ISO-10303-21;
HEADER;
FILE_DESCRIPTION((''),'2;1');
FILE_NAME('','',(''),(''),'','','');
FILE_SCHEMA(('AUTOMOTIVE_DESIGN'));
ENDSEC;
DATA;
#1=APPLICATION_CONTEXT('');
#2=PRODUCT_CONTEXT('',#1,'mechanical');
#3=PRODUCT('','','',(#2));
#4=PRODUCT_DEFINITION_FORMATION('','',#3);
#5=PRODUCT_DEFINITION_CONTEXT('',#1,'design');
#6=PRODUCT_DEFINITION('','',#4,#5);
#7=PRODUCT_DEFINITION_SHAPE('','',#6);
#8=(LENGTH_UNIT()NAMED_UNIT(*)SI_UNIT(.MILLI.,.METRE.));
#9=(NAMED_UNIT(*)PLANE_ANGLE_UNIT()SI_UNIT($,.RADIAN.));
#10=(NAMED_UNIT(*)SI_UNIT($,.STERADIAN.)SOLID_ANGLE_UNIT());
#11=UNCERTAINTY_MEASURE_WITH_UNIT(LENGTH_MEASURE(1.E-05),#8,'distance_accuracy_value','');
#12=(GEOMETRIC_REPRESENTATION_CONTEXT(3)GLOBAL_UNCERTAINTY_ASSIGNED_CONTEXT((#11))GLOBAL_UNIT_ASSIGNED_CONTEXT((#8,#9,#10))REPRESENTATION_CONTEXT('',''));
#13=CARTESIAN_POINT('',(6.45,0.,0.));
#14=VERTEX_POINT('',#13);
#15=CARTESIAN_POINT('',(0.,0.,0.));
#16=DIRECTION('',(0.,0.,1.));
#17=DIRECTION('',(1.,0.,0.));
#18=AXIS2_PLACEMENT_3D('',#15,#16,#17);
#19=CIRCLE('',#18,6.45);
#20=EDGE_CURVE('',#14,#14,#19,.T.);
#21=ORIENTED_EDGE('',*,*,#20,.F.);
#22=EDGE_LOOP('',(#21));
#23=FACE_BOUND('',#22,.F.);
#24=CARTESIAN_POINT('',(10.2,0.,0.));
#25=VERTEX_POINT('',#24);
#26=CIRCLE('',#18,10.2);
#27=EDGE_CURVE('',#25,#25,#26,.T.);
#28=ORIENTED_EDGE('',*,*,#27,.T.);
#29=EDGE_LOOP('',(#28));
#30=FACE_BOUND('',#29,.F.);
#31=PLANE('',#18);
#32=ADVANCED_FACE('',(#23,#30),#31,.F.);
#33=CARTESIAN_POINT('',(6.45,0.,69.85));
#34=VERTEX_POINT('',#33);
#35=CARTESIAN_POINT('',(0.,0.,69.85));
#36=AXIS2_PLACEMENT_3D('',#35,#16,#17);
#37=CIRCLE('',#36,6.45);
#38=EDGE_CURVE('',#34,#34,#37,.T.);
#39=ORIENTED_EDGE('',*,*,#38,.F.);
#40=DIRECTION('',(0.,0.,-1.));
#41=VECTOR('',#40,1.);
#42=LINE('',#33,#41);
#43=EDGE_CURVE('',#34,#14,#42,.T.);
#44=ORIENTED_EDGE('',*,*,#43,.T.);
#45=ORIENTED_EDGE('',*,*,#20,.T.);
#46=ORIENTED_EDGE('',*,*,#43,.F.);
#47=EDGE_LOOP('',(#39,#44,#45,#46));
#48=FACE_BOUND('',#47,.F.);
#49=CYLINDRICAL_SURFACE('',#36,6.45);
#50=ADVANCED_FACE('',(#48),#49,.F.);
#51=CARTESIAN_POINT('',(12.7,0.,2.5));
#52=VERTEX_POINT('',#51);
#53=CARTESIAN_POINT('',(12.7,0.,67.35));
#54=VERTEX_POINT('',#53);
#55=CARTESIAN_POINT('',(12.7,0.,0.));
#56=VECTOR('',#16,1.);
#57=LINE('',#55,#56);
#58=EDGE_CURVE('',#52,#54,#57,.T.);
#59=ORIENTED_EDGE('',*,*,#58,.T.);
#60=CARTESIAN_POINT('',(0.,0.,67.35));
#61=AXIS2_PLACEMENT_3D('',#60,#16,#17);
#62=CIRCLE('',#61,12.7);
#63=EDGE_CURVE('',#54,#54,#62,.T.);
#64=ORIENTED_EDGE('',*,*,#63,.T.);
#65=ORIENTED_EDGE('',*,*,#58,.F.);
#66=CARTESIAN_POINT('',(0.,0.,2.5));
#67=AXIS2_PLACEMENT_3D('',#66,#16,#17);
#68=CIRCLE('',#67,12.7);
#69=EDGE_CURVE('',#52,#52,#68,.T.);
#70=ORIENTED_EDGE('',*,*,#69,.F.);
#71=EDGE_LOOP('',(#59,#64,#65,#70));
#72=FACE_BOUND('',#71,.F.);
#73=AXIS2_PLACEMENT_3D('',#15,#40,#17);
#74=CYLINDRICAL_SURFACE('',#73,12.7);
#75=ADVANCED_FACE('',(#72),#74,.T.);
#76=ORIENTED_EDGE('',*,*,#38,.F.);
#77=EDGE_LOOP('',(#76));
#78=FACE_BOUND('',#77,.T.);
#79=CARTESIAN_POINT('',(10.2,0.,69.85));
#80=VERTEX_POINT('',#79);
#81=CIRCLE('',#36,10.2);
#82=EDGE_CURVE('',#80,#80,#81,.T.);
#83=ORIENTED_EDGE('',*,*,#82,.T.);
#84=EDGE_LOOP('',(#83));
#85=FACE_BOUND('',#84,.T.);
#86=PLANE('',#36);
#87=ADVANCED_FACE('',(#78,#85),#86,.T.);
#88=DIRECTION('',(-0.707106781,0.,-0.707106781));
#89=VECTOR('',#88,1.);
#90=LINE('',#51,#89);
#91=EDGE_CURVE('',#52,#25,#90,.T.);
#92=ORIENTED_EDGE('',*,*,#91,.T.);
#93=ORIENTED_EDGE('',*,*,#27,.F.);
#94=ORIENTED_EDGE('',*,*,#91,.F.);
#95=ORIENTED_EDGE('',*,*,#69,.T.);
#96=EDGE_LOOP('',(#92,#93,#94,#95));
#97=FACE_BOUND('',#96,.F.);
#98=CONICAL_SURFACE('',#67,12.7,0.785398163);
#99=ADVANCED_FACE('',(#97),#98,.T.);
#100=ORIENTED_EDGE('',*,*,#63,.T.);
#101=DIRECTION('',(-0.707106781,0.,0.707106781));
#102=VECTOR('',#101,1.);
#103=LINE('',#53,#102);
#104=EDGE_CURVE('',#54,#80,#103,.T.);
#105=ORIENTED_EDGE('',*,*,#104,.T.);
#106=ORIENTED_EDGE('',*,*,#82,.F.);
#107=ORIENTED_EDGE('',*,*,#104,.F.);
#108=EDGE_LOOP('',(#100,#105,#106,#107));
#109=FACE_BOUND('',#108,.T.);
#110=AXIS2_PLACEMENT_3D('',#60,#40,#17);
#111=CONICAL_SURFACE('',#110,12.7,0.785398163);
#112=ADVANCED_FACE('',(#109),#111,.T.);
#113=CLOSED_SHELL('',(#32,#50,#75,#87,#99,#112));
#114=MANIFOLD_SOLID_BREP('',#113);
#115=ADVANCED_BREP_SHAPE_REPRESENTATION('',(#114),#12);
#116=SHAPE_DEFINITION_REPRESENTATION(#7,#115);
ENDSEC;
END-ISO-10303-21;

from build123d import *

# Parameters (mm, degrees)
SKETCH2_R               = 12.7
BOSS_EXTRUDE1_DEPTH     = 69.85
SKETCH3_R               = 6.45
CUT_EXTRUDE1_DEPTH      = 1
CUT_EXTRUDE1_DEPTH_BACK = 70.85
CHAMFER1_SIZE           = 2.5


with BuildPart() as part:
    # Sketch2 → Boss-Extrude1 (new body)
    with BuildSketch(Plane.XY):
        Circle(SKETCH2_R)
    extrude(amount=BOSS_EXTRUDE1_DEPTH)

    # Sketch3 → Cut-Extrude1 (cut, two sides)
    with BuildSketch(Plane.XY.offset(69.85)) as cut_extrude1_sk:
        Circle(SKETCH3_R)
    extrude(amount=CUT_EXTRUDE1_DEPTH, mode=Mode.SUBTRACT)
    extrude(cut_extrude1_sk.sketch, amount=-CUT_EXTRUDE1_DEPTH_BACK, mode=Mode.SUBTRACT)

    # Chamfer1
    chamfer1_edges = [part.edges().sort_by_distance(p)[0] for p in [
        (-12.7, 0, 0),
        (-12.7, 0, 69.85),
    ]]
    chamfer(chamfer1_edges, length=CHAMFER1_SIZE)


solid = part.part
